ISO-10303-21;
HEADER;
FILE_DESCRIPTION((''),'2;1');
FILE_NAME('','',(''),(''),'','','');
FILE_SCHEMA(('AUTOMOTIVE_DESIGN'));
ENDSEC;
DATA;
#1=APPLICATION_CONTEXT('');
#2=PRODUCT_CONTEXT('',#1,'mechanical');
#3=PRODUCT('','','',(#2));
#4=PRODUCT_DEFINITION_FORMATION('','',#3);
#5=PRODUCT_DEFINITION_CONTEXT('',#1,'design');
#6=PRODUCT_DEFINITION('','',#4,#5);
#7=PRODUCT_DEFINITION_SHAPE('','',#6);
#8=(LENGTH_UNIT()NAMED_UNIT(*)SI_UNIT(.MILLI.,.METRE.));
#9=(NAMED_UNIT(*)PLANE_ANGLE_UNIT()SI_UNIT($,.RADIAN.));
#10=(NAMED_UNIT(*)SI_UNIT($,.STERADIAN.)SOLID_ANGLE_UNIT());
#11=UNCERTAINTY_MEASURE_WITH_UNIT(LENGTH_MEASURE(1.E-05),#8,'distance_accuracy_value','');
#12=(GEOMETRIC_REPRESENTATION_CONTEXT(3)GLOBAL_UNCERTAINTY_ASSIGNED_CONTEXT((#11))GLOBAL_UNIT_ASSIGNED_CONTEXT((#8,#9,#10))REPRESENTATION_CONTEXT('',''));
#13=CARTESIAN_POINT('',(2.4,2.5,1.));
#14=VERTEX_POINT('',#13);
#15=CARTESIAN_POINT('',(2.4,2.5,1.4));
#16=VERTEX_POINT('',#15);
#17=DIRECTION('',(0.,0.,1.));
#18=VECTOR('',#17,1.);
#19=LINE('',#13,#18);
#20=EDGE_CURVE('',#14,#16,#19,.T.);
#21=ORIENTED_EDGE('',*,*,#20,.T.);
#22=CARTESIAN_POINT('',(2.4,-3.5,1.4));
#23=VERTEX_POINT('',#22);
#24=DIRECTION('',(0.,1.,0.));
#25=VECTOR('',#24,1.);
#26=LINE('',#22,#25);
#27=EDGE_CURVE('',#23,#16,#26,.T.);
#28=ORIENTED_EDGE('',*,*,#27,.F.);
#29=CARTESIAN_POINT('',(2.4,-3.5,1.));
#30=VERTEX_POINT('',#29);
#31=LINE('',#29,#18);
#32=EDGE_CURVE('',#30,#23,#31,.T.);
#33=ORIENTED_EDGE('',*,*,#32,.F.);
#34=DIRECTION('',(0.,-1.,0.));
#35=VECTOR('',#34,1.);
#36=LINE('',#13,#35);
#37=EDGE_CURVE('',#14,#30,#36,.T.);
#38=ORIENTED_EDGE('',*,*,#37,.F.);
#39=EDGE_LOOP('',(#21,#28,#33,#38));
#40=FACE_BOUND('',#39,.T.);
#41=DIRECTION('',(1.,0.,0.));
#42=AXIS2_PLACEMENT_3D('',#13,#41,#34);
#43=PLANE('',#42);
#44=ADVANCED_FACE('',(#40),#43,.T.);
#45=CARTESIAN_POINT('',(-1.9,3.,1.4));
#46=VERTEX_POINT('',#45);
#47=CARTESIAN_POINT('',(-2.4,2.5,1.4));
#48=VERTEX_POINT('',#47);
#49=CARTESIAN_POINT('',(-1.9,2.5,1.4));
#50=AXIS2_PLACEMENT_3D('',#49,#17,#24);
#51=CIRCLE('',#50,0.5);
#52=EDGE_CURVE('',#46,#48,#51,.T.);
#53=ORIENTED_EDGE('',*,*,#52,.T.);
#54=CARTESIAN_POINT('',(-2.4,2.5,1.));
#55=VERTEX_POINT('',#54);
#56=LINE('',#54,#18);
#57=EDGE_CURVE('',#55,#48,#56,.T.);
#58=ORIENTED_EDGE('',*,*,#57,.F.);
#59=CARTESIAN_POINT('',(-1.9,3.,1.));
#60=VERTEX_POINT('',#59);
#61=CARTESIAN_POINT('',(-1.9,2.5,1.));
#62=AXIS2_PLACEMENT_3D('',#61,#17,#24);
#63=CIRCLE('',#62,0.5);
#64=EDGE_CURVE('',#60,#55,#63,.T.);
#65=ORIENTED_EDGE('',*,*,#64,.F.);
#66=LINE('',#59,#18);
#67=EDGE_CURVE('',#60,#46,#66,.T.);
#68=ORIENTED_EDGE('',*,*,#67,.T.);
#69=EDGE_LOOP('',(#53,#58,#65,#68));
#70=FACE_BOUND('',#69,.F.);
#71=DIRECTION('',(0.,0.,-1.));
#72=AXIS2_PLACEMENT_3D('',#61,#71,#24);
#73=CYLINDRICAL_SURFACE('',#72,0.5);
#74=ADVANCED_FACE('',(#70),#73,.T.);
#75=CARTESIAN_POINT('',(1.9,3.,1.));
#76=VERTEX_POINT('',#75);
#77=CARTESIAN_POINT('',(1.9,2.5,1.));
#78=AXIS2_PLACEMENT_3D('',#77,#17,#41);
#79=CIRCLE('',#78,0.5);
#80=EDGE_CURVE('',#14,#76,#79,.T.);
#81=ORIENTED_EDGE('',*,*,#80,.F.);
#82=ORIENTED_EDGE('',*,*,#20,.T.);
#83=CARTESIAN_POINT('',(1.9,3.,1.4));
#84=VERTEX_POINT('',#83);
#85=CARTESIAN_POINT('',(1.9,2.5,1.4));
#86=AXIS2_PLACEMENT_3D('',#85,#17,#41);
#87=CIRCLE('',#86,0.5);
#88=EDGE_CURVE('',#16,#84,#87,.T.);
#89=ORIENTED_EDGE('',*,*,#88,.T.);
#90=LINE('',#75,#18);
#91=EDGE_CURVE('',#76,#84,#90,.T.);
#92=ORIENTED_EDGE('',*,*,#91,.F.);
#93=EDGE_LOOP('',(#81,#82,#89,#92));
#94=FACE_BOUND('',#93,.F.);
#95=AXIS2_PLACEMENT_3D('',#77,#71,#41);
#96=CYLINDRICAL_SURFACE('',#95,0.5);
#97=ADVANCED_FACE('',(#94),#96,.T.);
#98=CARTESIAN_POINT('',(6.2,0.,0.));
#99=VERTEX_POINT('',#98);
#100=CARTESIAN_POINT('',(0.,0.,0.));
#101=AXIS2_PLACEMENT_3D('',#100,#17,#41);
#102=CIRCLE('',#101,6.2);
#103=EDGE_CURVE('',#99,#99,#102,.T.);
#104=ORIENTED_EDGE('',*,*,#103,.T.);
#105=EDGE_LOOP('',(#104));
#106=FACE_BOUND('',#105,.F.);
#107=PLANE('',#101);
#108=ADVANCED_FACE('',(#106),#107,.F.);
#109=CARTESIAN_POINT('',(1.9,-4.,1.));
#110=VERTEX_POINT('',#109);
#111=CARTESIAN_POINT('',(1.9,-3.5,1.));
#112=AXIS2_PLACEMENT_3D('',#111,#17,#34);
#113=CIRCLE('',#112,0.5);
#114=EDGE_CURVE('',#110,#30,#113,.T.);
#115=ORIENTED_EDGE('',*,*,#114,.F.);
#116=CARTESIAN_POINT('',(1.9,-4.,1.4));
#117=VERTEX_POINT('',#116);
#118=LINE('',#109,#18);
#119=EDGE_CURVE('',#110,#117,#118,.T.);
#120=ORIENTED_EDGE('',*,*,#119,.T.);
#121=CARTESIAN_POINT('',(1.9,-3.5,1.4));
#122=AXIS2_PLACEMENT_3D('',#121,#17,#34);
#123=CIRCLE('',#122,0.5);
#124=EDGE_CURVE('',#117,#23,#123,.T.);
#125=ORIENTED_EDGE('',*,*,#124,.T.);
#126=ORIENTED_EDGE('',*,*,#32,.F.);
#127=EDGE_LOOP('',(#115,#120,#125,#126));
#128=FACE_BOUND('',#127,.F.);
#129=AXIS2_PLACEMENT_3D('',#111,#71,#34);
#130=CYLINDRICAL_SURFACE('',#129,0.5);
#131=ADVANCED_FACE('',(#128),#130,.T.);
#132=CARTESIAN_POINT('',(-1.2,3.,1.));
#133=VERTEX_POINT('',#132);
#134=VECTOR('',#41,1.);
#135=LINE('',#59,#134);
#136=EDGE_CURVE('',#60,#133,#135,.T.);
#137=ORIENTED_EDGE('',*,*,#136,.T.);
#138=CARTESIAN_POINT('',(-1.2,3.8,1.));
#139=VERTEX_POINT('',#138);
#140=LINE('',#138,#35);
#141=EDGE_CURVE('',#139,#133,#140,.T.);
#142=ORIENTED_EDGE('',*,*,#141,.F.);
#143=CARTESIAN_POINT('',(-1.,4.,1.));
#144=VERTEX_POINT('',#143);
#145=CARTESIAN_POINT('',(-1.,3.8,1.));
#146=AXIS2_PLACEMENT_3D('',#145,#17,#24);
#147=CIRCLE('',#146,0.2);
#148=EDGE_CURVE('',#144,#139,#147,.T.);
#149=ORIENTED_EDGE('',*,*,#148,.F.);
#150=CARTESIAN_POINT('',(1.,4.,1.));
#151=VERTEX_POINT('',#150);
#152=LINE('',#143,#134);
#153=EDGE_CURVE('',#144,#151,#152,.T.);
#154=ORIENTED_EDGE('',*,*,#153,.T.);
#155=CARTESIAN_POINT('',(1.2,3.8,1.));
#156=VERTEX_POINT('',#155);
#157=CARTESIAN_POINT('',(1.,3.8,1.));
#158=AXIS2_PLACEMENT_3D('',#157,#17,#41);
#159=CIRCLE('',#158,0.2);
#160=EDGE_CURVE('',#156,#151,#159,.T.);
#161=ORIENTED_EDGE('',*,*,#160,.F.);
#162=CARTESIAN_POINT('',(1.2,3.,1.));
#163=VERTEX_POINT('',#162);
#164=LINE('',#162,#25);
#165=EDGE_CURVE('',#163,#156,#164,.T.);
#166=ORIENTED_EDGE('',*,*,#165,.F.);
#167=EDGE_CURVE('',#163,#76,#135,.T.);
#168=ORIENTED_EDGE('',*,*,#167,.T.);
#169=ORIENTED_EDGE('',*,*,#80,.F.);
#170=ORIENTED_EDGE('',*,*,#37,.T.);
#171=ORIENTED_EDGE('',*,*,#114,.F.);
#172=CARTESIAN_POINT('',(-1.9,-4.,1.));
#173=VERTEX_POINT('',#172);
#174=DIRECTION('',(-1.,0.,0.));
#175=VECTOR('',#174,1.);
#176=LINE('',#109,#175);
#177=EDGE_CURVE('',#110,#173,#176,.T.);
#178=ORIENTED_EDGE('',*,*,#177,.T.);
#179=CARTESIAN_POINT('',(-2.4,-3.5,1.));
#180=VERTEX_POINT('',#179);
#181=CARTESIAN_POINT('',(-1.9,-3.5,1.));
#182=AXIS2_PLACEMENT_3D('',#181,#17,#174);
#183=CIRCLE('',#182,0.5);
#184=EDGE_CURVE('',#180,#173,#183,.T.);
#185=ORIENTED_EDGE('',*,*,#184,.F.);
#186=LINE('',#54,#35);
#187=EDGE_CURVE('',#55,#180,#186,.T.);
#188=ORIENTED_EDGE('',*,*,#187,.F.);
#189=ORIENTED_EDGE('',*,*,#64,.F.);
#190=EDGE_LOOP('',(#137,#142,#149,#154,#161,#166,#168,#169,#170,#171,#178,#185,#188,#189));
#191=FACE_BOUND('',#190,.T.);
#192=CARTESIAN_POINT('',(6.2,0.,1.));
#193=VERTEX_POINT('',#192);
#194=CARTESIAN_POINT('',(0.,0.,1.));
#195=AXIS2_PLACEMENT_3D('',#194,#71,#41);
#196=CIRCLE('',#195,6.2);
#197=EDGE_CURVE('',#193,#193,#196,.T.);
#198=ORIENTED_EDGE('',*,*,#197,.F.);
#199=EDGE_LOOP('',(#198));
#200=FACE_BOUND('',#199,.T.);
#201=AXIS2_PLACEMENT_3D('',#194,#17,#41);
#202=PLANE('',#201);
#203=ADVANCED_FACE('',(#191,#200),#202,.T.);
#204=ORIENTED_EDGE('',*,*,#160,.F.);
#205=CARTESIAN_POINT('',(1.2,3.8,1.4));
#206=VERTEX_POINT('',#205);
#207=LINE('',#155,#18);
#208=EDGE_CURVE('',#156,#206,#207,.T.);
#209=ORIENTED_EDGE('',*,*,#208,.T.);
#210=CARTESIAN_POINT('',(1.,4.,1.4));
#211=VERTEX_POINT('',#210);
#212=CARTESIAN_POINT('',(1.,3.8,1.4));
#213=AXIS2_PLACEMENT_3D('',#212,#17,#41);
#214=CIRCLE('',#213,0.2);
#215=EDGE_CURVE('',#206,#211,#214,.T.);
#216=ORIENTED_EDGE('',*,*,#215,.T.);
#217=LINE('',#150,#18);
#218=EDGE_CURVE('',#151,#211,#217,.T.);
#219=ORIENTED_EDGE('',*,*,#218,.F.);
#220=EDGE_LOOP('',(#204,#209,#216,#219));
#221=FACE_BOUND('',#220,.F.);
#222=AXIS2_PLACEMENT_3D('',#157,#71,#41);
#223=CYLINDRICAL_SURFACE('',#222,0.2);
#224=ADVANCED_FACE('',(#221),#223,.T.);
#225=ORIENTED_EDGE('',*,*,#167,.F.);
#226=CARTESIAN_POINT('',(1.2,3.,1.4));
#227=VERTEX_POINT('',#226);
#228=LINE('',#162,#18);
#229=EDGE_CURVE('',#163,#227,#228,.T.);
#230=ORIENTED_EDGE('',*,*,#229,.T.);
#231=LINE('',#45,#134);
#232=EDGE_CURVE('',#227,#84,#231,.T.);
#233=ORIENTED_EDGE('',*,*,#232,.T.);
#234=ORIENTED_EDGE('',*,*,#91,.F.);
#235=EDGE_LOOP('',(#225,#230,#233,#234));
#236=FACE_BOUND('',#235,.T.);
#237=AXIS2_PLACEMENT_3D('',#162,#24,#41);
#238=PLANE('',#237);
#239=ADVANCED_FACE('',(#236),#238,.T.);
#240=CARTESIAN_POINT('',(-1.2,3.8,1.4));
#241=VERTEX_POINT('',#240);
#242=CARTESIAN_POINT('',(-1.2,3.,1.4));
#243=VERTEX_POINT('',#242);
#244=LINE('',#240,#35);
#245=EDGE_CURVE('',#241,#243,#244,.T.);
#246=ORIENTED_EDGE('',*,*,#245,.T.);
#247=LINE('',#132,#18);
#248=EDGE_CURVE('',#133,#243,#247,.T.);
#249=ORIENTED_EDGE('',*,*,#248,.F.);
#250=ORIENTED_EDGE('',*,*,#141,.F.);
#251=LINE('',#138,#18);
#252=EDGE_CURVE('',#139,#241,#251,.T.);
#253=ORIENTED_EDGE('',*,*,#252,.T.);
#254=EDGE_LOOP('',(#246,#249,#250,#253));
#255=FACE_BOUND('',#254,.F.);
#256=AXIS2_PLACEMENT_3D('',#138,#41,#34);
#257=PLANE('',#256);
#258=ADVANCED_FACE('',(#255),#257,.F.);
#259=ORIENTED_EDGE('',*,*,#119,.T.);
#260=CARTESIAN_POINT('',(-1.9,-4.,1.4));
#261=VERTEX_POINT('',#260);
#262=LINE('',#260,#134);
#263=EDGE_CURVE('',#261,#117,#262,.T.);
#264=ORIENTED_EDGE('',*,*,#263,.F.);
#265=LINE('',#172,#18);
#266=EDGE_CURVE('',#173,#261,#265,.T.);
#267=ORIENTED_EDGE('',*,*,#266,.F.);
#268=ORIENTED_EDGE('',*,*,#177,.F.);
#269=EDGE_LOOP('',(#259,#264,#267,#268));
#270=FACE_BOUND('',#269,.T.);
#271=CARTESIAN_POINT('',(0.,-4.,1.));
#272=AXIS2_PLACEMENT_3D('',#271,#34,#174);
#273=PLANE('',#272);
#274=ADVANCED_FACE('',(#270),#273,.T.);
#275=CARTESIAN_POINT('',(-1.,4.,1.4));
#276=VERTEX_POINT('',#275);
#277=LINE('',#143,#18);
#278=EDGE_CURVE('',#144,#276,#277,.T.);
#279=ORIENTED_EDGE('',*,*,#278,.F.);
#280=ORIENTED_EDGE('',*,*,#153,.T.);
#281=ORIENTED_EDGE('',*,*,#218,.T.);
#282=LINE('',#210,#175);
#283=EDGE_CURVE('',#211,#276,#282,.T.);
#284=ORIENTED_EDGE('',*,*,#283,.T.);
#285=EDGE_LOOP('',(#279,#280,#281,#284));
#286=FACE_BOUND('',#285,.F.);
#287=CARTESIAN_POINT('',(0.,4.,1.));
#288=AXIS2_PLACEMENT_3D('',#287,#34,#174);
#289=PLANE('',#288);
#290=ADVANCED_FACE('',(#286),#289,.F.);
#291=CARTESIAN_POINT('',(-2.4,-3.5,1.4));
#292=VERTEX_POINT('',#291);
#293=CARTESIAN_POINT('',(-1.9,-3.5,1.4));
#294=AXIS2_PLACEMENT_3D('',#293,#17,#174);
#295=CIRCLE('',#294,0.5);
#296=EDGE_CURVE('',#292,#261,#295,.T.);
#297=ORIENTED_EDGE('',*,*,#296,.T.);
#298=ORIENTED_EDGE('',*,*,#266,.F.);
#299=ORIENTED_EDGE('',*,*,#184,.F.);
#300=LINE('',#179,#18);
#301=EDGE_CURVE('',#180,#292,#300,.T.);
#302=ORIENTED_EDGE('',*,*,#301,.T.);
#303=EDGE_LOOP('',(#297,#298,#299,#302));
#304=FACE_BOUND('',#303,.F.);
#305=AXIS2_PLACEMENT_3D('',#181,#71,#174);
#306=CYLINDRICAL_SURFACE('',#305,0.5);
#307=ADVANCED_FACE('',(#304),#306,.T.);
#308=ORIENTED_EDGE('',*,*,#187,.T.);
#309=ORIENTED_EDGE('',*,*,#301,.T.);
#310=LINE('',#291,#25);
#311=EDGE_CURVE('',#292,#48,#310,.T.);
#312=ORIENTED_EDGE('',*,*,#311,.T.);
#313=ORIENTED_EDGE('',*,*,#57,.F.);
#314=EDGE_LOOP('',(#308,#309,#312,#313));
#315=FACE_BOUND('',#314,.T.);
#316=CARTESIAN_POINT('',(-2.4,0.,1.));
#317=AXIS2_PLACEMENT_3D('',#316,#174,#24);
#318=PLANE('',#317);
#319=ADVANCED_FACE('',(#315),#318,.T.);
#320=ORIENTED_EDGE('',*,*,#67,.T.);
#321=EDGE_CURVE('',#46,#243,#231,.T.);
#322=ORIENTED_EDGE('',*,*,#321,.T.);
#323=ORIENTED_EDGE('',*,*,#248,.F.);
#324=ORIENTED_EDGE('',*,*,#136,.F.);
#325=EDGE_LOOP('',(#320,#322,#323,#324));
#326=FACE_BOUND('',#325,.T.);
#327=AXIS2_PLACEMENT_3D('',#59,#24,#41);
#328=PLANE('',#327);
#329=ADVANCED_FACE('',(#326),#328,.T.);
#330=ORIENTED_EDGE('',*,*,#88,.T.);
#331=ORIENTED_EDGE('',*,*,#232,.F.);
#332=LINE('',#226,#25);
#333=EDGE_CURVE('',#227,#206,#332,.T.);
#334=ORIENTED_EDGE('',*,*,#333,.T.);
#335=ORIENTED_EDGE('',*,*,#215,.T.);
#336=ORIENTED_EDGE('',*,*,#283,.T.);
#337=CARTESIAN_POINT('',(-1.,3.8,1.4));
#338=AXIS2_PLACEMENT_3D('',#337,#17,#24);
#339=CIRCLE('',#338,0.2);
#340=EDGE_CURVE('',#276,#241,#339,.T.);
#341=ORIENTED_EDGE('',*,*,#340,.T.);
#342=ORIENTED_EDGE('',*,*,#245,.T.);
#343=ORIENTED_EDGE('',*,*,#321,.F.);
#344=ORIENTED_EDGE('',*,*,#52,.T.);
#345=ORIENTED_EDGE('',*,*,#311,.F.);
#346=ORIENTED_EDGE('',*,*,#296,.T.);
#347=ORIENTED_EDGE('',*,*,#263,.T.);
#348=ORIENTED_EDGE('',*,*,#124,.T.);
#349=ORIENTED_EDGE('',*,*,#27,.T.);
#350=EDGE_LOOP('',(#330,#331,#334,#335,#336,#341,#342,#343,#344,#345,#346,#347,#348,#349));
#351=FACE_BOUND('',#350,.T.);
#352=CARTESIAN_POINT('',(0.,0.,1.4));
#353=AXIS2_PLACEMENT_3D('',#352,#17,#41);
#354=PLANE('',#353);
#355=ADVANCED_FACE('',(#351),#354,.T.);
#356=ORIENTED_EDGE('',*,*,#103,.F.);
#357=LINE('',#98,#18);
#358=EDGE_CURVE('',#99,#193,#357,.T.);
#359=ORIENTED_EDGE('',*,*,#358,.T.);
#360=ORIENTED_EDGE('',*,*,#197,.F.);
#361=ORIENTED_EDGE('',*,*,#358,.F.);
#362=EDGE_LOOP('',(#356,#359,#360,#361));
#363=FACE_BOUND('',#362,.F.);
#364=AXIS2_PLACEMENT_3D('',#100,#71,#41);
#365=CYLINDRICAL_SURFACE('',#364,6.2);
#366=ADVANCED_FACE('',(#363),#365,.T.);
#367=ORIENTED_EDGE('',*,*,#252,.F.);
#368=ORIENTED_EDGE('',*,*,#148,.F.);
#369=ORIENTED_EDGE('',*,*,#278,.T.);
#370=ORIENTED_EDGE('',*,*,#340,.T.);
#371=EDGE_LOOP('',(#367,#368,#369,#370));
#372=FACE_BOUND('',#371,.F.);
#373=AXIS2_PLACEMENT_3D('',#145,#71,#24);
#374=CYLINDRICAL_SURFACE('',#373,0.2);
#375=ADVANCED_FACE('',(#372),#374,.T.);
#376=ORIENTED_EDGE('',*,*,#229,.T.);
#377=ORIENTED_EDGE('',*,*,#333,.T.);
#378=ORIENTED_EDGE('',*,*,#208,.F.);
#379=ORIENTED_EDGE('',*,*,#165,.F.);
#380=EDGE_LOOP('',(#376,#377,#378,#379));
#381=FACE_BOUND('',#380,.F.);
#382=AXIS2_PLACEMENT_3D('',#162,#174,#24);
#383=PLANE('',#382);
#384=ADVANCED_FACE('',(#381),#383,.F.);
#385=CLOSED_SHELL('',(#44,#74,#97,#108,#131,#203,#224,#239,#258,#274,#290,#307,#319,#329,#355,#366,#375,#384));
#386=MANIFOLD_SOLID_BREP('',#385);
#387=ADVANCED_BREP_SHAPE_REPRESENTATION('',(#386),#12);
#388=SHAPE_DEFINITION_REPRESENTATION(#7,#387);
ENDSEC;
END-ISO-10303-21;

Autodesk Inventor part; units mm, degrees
ref_plane "YZ Plane" through (0, 0, 0) normal (1, 0, 0) x (0, 1, 0)
ref_plane "XZ Plane" through (0, 0, 0) normal (0, 1, 0) x (-1, 0, 0)
ref_plane "XY Plane" through (0, 0, 0) normal (0, 0, 1) x (1, 0, 0)
sketch "Náčrt1" plane through (0, 0, 0) normal (0, 0, 1) x (1, 0, 0)
  line L0 (0, 8.68) -> (0, -8.68) projected
  line L1 (-8.68, 0) -> (8.68, 0) projected
  circle A0 centre (0, 0) radius 6.2
  dimension "d0" = 12.4
extrude "Vysunutí1" add sketch "Náčrt1" along normal blind 1
sketch "Náčrt2" plane through (0, 0, 1) normal (0, 0, 1) x (1, 0, 0)
  line L0 (-8.68, 0) -> (8.68, 0) projected
  line L1 (0, 8.68) -> (0, -8.68) projected
  line L2 (-1.9, 3) -> (1.9, 3)
  line L3 (2.4, 2.5) -> (2.4, -3.5)
  line L4 (1.9, -4) -> (-1.9, -4)
  line L5 (-2.4, -3.5) -> (-2.4, 2.5)
  line L6 (-1.2, 3) -> (1.2, 3)
  line L7 (1.2, 3) -> (1.2, 3.8)
  line L8 (1, 4) -> (-1, 4)
  line L9 (-1.2, 3.8) -> (-1.2, 3)
  arc A0 (-1.9, 3) -> (-2.4, 2.5) centre (-1.9, 2.5) ccw
  arc A1 (2.4, 2.5) -> (1.9, 3) centre (1.9, 2.5) ccw
  arc A2 (-2.4, -3.5) -> (-1.9, -4) centre (-1.9, -3.5) ccw
  arc A3 (1.9, -4) -> (2.4, -3.5) centre (1.9, -3.5) ccw
  arc A4 (-1, 4) -> (-1.2, 3.8) centre (-1, 3.8) ccw
  arc A5 (1.2, 3.8) -> (1, 4) centre (1, 3.8) ccw
  point P0 (0, 0)
  dimension "d3" = 2.4
  dimension "d4" = 2.4
  dimension "d5" = 4
  dimension "d6" = 3
  dimension "d7" = 1.2
  dimension "d8" = 1.2
  dimension "d9" = 1
  dimension "d10" = 0.5
  dimension "d11" = 0.2
extrude "Vysunutí2" add sketch "Náčrt2" along normal blind 0.4
properties part number "button_plate_battery"
